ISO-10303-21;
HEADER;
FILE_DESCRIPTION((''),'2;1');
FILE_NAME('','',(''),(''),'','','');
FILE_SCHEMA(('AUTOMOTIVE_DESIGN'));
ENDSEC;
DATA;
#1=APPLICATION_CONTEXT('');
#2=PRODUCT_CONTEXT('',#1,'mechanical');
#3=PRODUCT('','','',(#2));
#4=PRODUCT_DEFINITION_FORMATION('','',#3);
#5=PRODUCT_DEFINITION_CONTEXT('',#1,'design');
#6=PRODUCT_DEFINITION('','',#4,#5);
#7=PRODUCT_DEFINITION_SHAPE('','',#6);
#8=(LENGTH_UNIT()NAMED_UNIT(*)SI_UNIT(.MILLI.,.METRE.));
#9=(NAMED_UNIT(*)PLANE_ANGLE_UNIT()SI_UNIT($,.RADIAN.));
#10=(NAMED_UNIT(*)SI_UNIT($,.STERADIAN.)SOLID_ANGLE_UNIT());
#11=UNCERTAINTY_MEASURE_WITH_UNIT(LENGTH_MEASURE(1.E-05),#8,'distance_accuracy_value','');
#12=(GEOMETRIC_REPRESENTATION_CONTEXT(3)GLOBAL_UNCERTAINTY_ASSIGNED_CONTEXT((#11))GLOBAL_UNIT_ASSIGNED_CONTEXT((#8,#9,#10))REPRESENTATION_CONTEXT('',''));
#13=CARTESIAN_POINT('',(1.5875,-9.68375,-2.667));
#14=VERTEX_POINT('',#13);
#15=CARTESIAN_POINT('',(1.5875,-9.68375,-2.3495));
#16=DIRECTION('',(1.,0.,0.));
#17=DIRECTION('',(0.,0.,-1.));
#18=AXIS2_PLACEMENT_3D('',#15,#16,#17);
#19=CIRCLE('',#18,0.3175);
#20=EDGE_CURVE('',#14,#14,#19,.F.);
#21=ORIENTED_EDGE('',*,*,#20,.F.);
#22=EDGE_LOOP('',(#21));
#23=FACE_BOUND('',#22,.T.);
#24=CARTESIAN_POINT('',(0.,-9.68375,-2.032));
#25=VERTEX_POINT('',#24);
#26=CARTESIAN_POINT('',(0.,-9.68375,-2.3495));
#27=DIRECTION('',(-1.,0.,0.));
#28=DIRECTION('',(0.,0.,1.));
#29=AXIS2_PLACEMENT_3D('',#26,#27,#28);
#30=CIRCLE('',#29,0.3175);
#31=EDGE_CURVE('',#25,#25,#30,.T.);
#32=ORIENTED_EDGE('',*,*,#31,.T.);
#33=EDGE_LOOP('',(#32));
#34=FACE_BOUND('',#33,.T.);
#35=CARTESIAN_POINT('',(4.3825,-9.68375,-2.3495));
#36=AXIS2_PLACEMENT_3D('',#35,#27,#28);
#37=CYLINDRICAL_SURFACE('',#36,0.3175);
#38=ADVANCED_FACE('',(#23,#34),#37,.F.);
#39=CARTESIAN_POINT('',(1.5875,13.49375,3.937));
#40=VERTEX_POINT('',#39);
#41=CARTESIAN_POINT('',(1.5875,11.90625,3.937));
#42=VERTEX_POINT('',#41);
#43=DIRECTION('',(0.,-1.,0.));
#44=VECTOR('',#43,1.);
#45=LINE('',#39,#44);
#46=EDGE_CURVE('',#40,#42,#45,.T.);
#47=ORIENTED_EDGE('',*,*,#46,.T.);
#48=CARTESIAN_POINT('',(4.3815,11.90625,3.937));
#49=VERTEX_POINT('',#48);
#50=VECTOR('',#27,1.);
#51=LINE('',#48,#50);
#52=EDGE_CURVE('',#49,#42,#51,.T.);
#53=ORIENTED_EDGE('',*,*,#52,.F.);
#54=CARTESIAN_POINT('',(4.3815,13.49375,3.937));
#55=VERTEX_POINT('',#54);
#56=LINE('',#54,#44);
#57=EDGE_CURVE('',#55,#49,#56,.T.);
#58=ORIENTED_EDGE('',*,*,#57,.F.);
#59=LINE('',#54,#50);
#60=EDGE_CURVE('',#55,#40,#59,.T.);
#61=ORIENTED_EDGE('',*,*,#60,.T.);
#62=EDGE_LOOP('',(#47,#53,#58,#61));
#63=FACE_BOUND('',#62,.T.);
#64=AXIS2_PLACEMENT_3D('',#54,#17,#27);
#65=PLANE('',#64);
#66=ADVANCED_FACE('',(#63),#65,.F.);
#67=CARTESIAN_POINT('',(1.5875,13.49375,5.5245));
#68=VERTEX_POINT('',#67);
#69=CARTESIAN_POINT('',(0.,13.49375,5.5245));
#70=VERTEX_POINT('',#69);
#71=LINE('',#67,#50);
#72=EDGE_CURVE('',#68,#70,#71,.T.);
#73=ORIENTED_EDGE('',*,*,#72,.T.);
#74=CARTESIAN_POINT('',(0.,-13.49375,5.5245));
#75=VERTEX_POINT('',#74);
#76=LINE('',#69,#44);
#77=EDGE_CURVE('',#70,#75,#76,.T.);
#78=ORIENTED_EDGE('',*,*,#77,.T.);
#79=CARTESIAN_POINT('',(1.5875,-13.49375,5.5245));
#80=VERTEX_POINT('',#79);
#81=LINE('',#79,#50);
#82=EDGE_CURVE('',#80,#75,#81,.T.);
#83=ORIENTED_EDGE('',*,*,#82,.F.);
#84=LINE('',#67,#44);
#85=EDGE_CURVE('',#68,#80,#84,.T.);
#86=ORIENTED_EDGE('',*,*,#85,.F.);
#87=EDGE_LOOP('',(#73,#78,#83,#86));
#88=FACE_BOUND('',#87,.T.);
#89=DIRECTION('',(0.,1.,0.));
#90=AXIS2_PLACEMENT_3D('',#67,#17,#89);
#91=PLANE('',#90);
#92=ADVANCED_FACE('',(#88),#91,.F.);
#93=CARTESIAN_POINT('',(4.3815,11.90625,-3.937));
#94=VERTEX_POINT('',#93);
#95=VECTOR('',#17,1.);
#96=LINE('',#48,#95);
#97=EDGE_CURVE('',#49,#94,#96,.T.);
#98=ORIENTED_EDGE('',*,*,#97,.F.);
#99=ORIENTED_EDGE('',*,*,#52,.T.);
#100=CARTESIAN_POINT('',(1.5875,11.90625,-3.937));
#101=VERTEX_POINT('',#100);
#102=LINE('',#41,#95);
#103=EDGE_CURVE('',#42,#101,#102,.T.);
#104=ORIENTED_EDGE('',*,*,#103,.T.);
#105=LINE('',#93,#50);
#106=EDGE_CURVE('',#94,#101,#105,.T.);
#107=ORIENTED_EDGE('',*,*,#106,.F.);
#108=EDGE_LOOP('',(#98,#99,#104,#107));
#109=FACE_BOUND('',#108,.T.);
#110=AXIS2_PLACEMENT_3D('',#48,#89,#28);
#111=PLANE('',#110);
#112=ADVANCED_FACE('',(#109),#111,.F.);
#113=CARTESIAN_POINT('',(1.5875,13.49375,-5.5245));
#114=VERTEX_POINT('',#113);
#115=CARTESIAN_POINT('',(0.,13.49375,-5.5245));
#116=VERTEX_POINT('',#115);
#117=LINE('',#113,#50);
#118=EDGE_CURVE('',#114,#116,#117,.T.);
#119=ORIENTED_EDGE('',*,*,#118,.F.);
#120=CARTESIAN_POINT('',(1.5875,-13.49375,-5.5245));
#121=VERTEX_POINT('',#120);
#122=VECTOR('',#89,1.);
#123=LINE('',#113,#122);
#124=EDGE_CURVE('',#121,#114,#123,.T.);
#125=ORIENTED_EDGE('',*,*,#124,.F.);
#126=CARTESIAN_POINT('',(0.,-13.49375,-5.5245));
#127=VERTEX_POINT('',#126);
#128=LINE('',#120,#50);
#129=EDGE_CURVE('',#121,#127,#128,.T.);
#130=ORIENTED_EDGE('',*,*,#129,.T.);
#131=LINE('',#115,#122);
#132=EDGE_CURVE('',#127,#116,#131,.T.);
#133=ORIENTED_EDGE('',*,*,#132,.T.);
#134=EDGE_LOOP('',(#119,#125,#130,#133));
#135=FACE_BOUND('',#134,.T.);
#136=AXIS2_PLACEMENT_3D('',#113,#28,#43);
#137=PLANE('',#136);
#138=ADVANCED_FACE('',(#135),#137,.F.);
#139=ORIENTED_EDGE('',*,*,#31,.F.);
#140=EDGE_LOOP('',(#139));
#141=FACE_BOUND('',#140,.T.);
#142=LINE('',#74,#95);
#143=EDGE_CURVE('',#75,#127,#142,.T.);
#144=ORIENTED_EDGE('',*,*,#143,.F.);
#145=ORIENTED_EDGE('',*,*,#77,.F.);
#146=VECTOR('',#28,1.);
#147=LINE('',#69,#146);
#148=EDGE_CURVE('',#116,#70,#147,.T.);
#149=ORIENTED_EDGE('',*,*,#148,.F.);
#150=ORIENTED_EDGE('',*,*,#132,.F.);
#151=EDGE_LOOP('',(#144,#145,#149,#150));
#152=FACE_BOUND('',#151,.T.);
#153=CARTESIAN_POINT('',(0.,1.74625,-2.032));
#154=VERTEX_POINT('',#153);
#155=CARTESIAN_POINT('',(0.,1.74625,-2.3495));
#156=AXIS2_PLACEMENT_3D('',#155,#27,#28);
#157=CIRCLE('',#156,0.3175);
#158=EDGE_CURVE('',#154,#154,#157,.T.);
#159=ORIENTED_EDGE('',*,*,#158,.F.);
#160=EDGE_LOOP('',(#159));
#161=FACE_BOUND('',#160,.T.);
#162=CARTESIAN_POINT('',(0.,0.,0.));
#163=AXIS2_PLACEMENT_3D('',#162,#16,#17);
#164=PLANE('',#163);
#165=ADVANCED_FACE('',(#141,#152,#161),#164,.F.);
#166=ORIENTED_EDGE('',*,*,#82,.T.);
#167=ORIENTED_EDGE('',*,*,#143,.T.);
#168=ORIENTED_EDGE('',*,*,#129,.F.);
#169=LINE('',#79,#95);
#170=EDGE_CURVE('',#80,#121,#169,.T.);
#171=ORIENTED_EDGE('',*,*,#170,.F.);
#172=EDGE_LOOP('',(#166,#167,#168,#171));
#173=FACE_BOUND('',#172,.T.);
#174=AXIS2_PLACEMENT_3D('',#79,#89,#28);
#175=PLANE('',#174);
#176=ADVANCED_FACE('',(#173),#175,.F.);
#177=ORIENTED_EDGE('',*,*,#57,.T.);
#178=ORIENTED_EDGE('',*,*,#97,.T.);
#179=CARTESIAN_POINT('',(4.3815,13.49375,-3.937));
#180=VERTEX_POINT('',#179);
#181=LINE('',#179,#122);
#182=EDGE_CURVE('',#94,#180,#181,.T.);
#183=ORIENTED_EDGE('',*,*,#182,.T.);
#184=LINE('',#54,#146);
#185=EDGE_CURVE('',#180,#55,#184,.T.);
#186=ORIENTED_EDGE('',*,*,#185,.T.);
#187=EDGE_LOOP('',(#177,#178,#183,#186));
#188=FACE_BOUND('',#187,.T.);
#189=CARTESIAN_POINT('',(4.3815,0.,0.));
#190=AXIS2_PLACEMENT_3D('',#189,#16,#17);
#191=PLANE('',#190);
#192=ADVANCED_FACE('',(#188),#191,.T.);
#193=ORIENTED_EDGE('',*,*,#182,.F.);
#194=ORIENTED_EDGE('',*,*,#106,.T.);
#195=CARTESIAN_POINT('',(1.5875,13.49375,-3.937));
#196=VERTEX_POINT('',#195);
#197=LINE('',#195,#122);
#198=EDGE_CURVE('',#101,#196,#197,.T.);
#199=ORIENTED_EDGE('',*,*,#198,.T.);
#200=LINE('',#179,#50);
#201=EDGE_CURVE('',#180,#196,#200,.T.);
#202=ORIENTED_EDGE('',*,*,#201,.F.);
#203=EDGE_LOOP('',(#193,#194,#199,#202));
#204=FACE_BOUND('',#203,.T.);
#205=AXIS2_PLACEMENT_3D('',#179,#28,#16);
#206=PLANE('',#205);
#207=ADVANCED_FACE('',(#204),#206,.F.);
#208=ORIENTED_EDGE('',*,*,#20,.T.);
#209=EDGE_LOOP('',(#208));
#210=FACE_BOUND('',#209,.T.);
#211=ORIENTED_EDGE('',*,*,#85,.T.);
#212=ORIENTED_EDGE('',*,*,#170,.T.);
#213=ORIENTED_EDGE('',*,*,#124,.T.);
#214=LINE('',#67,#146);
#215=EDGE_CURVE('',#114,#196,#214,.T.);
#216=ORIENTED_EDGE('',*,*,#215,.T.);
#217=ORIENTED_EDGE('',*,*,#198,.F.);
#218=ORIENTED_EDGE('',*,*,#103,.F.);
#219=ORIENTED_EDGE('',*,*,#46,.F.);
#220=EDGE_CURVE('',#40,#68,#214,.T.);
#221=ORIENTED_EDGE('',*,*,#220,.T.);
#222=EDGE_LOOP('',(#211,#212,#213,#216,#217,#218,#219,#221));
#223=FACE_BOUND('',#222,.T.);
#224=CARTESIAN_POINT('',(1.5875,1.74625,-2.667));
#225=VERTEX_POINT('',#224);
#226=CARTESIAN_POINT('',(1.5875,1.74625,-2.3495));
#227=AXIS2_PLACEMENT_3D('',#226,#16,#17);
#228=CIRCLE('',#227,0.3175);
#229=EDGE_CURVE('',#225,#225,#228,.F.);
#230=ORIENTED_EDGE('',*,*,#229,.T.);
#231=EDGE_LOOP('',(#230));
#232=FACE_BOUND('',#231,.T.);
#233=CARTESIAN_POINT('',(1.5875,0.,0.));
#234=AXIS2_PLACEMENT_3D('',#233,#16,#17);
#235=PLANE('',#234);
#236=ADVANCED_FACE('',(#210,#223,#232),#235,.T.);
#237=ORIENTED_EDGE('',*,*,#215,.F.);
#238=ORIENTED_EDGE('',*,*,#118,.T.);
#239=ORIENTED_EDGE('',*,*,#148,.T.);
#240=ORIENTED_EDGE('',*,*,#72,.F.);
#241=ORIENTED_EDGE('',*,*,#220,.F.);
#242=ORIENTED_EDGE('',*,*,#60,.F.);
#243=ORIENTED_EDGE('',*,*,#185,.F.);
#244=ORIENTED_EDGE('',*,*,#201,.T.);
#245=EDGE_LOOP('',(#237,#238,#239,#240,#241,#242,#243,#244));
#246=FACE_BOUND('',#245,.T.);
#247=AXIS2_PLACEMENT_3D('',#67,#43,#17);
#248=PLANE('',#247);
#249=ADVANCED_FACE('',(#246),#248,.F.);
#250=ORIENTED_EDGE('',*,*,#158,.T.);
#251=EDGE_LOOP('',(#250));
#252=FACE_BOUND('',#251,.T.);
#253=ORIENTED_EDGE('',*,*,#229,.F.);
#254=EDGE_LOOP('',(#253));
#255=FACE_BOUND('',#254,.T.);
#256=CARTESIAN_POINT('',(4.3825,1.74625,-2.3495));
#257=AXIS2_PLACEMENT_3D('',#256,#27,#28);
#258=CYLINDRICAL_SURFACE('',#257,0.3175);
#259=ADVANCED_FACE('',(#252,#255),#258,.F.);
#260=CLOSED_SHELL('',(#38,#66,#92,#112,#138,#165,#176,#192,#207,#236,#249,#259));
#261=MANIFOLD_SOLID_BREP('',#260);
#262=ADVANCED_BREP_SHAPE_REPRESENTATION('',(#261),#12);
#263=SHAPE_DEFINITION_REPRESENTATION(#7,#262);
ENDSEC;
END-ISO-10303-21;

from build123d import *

# Parameters (mm, degrees)
SKETCH1_W           = 11.049
SKETCH1_H           = 26.9875
BOSS_EXTRUDE1_DEPTH = 1.5875
SKETCH2_W           = 7.874
SKETCH2_H           = 1.5875
BOSS_EXTRUDE2_DEPTH = 2.794
CUT_EXTRUDE1_REACH  = 6.381
SKETCH3_R           = 0.3175


with BuildPart() as part:
    # Sketch1 → Boss-Extrude1 (new body)
    with BuildSketch(Plane(origin=(0, 0, 0), x_dir=(0, 0, -1), z_dir=(1, 0, 0))):
        Rectangle(SKETCH1_W, SKETCH1_H)
    extrude(amount=BOSS_EXTRUDE1_DEPTH)

    # Sketch2 → Boss-Extrude2 (add)
    with BuildSketch(Plane(origin=(1.5875, 0, 0), x_dir=(0, 0, -1), z_dir=(1, 0, 0))):
        with Locations((0, 12.7)):
            Rectangle(SKETCH2_W, SKETCH2_H)
    extrude(amount=BOSS_EXTRUDE2_DEPTH)

    # Sketch3 → Cut-Extrude1 (cut, up to next)
    with BuildSketch(Plane.ZY, mode=Mode.PRIVATE) as cut_extrude1_sk1:
        with Locations((-2.3495, 1.74625)):
            Circle(SKETCH3_R)
    cut_extrude1_tool1 = extrude(cut_extrude1_sk1.sketch, amount=-CUT_EXTRUDE1_REACH, mode=Mode.PRIVATE) & part.part
    add(cut_extrude1_tool1.solids().sort_by_distance((0, 1.74625, -2.3495))[0], mode=Mode.SUBTRACT)
    # Sketch3 → Cut-Extrude1 (cut, up to next)
    with BuildSketch(Plane.ZY, mode=Mode.PRIVATE) as cut_extrude1_sk2:
        with Locations((-2.3495, -9.68375)):
            Circle(SKETCH3_R)
    cut_extrude1_tool2 = extrude(cut_extrude1_sk2.sketch, amount=-CUT_EXTRUDE1_REACH, mode=Mode.PRIVATE) & part.part
    add(cut_extrude1_tool2.solids().sort_by_distance((0, -9.68375, -2.3495))[0], mode=Mode.SUBTRACT)


solid = part.part
